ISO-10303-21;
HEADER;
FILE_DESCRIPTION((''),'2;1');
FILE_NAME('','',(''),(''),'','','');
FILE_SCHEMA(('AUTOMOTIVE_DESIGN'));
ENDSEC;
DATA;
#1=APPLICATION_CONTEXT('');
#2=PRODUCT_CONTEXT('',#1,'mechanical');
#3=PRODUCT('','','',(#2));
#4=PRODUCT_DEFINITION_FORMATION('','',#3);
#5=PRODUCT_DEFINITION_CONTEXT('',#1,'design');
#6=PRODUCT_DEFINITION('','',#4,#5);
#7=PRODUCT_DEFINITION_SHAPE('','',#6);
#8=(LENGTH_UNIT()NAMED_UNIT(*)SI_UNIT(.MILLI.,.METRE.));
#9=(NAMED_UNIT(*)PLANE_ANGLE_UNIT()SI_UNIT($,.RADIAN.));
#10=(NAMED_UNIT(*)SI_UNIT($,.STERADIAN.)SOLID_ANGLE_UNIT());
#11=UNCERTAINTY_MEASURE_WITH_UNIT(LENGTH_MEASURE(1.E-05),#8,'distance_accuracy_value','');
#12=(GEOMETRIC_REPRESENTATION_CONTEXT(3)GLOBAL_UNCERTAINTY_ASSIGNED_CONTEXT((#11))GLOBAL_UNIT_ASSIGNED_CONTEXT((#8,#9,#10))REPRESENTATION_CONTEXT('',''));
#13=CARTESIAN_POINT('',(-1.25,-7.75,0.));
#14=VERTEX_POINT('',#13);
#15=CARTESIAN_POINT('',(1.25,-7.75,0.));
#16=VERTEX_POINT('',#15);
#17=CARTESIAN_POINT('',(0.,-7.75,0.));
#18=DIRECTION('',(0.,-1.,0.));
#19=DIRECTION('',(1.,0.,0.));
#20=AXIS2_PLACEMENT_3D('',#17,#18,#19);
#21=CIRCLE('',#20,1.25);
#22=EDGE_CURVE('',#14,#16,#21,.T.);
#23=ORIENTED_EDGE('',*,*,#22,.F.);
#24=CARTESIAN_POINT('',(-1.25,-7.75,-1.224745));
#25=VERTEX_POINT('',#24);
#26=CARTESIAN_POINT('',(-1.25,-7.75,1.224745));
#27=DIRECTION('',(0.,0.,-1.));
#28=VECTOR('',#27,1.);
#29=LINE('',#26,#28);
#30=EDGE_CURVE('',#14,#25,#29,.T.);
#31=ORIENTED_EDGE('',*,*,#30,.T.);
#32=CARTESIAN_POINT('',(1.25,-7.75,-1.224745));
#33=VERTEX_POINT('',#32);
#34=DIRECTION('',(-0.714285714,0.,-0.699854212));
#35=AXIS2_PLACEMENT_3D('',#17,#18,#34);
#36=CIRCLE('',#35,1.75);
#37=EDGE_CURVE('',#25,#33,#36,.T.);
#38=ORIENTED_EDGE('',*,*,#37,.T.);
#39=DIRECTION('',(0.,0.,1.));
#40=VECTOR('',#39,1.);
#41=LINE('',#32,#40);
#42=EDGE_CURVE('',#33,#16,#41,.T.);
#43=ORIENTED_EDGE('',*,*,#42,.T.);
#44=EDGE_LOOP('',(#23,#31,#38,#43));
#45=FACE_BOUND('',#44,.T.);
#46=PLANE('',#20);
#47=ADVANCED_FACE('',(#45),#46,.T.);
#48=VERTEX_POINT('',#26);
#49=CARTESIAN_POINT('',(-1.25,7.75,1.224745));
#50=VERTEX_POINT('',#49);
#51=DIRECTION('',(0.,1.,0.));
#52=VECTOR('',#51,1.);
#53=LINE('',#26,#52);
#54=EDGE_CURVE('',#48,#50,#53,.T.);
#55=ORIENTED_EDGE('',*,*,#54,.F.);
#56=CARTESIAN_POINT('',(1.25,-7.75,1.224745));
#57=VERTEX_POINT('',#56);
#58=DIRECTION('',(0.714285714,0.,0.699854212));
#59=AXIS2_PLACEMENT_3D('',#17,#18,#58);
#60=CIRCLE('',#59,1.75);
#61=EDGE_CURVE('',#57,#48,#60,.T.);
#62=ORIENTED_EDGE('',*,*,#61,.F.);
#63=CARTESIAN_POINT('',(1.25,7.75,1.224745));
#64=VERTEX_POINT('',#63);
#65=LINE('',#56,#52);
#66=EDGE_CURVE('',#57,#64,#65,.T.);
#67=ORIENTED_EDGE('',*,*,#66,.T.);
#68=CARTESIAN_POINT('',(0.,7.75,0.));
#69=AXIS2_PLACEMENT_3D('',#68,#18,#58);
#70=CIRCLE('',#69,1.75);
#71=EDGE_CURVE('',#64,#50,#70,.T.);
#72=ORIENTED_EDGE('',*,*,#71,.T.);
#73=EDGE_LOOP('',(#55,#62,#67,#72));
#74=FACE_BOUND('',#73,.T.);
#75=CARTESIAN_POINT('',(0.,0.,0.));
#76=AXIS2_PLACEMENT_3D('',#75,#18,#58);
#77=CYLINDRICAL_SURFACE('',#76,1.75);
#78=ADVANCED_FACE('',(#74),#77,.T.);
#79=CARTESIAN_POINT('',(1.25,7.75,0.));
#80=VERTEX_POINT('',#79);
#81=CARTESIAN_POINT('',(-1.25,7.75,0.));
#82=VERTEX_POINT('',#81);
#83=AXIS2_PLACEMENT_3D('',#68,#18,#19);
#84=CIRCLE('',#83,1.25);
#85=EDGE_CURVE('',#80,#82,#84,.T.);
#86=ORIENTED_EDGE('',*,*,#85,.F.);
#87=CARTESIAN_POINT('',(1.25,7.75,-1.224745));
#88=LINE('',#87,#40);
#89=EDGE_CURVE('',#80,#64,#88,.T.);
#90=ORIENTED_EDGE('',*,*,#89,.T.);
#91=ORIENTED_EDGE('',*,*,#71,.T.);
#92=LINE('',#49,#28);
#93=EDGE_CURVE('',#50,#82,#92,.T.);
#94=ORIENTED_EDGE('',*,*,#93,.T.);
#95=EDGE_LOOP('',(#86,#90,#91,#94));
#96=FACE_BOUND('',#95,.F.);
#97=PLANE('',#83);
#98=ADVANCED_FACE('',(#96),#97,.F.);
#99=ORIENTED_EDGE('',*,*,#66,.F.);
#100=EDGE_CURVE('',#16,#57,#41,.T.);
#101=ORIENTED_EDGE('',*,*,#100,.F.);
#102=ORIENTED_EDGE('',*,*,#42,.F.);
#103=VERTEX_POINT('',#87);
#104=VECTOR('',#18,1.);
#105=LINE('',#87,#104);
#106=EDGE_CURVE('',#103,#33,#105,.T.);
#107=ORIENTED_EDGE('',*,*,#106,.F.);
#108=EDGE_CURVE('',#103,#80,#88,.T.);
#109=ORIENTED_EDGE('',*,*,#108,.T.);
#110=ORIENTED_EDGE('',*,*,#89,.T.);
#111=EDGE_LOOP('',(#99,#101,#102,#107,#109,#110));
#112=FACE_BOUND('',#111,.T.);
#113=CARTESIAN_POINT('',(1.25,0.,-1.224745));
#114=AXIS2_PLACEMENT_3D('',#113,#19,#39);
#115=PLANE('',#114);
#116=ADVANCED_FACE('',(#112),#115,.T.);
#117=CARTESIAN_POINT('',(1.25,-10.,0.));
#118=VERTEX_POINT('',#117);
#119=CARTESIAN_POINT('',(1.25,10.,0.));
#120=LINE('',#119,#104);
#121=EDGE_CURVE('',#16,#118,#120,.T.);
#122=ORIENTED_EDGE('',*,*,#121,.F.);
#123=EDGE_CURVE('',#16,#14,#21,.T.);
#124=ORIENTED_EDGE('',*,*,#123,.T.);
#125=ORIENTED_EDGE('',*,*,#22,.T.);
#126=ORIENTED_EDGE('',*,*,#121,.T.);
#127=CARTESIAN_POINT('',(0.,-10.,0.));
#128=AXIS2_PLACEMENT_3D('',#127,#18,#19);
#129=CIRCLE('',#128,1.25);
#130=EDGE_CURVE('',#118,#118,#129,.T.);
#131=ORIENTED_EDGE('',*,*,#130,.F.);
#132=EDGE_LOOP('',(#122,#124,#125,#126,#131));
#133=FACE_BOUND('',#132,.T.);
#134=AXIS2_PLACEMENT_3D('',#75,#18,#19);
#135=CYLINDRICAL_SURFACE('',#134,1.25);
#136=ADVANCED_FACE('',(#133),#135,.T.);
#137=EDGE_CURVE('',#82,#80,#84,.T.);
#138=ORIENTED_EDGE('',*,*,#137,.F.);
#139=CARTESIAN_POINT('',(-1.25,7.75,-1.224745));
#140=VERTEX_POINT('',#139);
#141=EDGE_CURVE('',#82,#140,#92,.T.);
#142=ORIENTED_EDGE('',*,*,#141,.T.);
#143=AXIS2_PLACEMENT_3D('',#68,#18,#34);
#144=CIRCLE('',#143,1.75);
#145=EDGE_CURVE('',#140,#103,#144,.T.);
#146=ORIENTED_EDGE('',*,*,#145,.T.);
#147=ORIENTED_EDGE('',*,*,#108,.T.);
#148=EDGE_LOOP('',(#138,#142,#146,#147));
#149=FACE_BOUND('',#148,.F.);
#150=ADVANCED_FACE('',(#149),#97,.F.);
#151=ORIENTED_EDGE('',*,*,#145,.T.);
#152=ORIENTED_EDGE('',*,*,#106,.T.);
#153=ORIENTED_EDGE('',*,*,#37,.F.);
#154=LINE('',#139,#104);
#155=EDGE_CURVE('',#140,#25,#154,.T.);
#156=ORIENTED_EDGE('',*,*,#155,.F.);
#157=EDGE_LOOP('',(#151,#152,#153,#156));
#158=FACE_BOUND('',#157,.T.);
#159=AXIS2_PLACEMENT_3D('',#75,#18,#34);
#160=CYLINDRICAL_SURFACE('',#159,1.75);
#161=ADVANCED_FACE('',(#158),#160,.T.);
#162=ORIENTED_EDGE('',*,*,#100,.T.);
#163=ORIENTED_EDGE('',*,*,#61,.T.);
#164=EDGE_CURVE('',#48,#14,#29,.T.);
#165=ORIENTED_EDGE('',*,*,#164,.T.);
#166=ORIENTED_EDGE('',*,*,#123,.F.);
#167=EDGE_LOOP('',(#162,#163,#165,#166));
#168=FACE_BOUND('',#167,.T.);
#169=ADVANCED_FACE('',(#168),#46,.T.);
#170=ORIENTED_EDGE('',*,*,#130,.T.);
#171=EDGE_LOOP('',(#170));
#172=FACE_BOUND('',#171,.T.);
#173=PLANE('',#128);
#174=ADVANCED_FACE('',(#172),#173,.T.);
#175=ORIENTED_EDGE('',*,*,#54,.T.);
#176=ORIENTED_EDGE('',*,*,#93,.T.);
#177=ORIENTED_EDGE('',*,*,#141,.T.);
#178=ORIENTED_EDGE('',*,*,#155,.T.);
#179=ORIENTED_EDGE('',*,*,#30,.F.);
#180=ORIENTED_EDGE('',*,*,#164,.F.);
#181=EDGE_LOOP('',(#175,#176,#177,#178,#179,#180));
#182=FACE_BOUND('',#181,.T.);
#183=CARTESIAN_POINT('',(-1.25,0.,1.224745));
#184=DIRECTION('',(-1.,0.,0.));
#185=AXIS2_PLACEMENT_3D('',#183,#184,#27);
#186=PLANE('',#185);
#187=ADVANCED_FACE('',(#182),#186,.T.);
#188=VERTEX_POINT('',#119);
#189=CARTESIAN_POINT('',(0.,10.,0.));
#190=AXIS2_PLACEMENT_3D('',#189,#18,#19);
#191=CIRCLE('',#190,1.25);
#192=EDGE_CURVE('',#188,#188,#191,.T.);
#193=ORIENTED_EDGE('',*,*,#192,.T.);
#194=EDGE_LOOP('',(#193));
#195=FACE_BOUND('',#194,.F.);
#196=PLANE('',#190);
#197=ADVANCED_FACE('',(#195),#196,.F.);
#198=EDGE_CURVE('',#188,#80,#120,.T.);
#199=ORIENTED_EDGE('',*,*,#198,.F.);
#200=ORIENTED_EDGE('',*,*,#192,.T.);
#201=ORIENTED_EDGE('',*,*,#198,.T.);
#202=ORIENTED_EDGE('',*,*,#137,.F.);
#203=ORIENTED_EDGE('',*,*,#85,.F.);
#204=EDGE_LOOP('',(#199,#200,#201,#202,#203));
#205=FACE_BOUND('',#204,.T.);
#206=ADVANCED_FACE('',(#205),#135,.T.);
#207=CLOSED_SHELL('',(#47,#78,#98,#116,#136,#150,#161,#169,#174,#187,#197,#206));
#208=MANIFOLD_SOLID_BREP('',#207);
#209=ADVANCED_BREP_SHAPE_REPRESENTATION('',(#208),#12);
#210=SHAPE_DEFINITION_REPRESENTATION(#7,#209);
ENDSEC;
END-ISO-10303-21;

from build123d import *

# Parameters (mm, degrees)
F1_DEPTH = 7.75
F2_R     = 1.25
F3_DEPTH = 10


with BuildPart() as f1:
    # F0 (on Front) → F1 (new body, symmetric)
    with BuildSketch(Plane.XZ):
        with BuildLine():
            Line((-1.25, 1.2247448714), (-1.25, -1.2247448714))
            ThreePointArc((-1.25, -1.2247448714), (0, -1.75), (1.25, -1.2247448714))
            Line((1.25, -1.2247448714), (1.25, 1.2247448714))
            ThreePointArc((1.25, 1.2247448714), (0, 1.75), (-1.25, 1.2247448714))
        make_face()
    extrude(amount=F1_DEPTH, both=True)

    # F2 (on Front) → F3 (join, symmetric)
    with BuildSketch(Plane.XZ):
        Circle(F2_R)
    extrude(amount=F3_DEPTH, both=True)


solid = f1.part
